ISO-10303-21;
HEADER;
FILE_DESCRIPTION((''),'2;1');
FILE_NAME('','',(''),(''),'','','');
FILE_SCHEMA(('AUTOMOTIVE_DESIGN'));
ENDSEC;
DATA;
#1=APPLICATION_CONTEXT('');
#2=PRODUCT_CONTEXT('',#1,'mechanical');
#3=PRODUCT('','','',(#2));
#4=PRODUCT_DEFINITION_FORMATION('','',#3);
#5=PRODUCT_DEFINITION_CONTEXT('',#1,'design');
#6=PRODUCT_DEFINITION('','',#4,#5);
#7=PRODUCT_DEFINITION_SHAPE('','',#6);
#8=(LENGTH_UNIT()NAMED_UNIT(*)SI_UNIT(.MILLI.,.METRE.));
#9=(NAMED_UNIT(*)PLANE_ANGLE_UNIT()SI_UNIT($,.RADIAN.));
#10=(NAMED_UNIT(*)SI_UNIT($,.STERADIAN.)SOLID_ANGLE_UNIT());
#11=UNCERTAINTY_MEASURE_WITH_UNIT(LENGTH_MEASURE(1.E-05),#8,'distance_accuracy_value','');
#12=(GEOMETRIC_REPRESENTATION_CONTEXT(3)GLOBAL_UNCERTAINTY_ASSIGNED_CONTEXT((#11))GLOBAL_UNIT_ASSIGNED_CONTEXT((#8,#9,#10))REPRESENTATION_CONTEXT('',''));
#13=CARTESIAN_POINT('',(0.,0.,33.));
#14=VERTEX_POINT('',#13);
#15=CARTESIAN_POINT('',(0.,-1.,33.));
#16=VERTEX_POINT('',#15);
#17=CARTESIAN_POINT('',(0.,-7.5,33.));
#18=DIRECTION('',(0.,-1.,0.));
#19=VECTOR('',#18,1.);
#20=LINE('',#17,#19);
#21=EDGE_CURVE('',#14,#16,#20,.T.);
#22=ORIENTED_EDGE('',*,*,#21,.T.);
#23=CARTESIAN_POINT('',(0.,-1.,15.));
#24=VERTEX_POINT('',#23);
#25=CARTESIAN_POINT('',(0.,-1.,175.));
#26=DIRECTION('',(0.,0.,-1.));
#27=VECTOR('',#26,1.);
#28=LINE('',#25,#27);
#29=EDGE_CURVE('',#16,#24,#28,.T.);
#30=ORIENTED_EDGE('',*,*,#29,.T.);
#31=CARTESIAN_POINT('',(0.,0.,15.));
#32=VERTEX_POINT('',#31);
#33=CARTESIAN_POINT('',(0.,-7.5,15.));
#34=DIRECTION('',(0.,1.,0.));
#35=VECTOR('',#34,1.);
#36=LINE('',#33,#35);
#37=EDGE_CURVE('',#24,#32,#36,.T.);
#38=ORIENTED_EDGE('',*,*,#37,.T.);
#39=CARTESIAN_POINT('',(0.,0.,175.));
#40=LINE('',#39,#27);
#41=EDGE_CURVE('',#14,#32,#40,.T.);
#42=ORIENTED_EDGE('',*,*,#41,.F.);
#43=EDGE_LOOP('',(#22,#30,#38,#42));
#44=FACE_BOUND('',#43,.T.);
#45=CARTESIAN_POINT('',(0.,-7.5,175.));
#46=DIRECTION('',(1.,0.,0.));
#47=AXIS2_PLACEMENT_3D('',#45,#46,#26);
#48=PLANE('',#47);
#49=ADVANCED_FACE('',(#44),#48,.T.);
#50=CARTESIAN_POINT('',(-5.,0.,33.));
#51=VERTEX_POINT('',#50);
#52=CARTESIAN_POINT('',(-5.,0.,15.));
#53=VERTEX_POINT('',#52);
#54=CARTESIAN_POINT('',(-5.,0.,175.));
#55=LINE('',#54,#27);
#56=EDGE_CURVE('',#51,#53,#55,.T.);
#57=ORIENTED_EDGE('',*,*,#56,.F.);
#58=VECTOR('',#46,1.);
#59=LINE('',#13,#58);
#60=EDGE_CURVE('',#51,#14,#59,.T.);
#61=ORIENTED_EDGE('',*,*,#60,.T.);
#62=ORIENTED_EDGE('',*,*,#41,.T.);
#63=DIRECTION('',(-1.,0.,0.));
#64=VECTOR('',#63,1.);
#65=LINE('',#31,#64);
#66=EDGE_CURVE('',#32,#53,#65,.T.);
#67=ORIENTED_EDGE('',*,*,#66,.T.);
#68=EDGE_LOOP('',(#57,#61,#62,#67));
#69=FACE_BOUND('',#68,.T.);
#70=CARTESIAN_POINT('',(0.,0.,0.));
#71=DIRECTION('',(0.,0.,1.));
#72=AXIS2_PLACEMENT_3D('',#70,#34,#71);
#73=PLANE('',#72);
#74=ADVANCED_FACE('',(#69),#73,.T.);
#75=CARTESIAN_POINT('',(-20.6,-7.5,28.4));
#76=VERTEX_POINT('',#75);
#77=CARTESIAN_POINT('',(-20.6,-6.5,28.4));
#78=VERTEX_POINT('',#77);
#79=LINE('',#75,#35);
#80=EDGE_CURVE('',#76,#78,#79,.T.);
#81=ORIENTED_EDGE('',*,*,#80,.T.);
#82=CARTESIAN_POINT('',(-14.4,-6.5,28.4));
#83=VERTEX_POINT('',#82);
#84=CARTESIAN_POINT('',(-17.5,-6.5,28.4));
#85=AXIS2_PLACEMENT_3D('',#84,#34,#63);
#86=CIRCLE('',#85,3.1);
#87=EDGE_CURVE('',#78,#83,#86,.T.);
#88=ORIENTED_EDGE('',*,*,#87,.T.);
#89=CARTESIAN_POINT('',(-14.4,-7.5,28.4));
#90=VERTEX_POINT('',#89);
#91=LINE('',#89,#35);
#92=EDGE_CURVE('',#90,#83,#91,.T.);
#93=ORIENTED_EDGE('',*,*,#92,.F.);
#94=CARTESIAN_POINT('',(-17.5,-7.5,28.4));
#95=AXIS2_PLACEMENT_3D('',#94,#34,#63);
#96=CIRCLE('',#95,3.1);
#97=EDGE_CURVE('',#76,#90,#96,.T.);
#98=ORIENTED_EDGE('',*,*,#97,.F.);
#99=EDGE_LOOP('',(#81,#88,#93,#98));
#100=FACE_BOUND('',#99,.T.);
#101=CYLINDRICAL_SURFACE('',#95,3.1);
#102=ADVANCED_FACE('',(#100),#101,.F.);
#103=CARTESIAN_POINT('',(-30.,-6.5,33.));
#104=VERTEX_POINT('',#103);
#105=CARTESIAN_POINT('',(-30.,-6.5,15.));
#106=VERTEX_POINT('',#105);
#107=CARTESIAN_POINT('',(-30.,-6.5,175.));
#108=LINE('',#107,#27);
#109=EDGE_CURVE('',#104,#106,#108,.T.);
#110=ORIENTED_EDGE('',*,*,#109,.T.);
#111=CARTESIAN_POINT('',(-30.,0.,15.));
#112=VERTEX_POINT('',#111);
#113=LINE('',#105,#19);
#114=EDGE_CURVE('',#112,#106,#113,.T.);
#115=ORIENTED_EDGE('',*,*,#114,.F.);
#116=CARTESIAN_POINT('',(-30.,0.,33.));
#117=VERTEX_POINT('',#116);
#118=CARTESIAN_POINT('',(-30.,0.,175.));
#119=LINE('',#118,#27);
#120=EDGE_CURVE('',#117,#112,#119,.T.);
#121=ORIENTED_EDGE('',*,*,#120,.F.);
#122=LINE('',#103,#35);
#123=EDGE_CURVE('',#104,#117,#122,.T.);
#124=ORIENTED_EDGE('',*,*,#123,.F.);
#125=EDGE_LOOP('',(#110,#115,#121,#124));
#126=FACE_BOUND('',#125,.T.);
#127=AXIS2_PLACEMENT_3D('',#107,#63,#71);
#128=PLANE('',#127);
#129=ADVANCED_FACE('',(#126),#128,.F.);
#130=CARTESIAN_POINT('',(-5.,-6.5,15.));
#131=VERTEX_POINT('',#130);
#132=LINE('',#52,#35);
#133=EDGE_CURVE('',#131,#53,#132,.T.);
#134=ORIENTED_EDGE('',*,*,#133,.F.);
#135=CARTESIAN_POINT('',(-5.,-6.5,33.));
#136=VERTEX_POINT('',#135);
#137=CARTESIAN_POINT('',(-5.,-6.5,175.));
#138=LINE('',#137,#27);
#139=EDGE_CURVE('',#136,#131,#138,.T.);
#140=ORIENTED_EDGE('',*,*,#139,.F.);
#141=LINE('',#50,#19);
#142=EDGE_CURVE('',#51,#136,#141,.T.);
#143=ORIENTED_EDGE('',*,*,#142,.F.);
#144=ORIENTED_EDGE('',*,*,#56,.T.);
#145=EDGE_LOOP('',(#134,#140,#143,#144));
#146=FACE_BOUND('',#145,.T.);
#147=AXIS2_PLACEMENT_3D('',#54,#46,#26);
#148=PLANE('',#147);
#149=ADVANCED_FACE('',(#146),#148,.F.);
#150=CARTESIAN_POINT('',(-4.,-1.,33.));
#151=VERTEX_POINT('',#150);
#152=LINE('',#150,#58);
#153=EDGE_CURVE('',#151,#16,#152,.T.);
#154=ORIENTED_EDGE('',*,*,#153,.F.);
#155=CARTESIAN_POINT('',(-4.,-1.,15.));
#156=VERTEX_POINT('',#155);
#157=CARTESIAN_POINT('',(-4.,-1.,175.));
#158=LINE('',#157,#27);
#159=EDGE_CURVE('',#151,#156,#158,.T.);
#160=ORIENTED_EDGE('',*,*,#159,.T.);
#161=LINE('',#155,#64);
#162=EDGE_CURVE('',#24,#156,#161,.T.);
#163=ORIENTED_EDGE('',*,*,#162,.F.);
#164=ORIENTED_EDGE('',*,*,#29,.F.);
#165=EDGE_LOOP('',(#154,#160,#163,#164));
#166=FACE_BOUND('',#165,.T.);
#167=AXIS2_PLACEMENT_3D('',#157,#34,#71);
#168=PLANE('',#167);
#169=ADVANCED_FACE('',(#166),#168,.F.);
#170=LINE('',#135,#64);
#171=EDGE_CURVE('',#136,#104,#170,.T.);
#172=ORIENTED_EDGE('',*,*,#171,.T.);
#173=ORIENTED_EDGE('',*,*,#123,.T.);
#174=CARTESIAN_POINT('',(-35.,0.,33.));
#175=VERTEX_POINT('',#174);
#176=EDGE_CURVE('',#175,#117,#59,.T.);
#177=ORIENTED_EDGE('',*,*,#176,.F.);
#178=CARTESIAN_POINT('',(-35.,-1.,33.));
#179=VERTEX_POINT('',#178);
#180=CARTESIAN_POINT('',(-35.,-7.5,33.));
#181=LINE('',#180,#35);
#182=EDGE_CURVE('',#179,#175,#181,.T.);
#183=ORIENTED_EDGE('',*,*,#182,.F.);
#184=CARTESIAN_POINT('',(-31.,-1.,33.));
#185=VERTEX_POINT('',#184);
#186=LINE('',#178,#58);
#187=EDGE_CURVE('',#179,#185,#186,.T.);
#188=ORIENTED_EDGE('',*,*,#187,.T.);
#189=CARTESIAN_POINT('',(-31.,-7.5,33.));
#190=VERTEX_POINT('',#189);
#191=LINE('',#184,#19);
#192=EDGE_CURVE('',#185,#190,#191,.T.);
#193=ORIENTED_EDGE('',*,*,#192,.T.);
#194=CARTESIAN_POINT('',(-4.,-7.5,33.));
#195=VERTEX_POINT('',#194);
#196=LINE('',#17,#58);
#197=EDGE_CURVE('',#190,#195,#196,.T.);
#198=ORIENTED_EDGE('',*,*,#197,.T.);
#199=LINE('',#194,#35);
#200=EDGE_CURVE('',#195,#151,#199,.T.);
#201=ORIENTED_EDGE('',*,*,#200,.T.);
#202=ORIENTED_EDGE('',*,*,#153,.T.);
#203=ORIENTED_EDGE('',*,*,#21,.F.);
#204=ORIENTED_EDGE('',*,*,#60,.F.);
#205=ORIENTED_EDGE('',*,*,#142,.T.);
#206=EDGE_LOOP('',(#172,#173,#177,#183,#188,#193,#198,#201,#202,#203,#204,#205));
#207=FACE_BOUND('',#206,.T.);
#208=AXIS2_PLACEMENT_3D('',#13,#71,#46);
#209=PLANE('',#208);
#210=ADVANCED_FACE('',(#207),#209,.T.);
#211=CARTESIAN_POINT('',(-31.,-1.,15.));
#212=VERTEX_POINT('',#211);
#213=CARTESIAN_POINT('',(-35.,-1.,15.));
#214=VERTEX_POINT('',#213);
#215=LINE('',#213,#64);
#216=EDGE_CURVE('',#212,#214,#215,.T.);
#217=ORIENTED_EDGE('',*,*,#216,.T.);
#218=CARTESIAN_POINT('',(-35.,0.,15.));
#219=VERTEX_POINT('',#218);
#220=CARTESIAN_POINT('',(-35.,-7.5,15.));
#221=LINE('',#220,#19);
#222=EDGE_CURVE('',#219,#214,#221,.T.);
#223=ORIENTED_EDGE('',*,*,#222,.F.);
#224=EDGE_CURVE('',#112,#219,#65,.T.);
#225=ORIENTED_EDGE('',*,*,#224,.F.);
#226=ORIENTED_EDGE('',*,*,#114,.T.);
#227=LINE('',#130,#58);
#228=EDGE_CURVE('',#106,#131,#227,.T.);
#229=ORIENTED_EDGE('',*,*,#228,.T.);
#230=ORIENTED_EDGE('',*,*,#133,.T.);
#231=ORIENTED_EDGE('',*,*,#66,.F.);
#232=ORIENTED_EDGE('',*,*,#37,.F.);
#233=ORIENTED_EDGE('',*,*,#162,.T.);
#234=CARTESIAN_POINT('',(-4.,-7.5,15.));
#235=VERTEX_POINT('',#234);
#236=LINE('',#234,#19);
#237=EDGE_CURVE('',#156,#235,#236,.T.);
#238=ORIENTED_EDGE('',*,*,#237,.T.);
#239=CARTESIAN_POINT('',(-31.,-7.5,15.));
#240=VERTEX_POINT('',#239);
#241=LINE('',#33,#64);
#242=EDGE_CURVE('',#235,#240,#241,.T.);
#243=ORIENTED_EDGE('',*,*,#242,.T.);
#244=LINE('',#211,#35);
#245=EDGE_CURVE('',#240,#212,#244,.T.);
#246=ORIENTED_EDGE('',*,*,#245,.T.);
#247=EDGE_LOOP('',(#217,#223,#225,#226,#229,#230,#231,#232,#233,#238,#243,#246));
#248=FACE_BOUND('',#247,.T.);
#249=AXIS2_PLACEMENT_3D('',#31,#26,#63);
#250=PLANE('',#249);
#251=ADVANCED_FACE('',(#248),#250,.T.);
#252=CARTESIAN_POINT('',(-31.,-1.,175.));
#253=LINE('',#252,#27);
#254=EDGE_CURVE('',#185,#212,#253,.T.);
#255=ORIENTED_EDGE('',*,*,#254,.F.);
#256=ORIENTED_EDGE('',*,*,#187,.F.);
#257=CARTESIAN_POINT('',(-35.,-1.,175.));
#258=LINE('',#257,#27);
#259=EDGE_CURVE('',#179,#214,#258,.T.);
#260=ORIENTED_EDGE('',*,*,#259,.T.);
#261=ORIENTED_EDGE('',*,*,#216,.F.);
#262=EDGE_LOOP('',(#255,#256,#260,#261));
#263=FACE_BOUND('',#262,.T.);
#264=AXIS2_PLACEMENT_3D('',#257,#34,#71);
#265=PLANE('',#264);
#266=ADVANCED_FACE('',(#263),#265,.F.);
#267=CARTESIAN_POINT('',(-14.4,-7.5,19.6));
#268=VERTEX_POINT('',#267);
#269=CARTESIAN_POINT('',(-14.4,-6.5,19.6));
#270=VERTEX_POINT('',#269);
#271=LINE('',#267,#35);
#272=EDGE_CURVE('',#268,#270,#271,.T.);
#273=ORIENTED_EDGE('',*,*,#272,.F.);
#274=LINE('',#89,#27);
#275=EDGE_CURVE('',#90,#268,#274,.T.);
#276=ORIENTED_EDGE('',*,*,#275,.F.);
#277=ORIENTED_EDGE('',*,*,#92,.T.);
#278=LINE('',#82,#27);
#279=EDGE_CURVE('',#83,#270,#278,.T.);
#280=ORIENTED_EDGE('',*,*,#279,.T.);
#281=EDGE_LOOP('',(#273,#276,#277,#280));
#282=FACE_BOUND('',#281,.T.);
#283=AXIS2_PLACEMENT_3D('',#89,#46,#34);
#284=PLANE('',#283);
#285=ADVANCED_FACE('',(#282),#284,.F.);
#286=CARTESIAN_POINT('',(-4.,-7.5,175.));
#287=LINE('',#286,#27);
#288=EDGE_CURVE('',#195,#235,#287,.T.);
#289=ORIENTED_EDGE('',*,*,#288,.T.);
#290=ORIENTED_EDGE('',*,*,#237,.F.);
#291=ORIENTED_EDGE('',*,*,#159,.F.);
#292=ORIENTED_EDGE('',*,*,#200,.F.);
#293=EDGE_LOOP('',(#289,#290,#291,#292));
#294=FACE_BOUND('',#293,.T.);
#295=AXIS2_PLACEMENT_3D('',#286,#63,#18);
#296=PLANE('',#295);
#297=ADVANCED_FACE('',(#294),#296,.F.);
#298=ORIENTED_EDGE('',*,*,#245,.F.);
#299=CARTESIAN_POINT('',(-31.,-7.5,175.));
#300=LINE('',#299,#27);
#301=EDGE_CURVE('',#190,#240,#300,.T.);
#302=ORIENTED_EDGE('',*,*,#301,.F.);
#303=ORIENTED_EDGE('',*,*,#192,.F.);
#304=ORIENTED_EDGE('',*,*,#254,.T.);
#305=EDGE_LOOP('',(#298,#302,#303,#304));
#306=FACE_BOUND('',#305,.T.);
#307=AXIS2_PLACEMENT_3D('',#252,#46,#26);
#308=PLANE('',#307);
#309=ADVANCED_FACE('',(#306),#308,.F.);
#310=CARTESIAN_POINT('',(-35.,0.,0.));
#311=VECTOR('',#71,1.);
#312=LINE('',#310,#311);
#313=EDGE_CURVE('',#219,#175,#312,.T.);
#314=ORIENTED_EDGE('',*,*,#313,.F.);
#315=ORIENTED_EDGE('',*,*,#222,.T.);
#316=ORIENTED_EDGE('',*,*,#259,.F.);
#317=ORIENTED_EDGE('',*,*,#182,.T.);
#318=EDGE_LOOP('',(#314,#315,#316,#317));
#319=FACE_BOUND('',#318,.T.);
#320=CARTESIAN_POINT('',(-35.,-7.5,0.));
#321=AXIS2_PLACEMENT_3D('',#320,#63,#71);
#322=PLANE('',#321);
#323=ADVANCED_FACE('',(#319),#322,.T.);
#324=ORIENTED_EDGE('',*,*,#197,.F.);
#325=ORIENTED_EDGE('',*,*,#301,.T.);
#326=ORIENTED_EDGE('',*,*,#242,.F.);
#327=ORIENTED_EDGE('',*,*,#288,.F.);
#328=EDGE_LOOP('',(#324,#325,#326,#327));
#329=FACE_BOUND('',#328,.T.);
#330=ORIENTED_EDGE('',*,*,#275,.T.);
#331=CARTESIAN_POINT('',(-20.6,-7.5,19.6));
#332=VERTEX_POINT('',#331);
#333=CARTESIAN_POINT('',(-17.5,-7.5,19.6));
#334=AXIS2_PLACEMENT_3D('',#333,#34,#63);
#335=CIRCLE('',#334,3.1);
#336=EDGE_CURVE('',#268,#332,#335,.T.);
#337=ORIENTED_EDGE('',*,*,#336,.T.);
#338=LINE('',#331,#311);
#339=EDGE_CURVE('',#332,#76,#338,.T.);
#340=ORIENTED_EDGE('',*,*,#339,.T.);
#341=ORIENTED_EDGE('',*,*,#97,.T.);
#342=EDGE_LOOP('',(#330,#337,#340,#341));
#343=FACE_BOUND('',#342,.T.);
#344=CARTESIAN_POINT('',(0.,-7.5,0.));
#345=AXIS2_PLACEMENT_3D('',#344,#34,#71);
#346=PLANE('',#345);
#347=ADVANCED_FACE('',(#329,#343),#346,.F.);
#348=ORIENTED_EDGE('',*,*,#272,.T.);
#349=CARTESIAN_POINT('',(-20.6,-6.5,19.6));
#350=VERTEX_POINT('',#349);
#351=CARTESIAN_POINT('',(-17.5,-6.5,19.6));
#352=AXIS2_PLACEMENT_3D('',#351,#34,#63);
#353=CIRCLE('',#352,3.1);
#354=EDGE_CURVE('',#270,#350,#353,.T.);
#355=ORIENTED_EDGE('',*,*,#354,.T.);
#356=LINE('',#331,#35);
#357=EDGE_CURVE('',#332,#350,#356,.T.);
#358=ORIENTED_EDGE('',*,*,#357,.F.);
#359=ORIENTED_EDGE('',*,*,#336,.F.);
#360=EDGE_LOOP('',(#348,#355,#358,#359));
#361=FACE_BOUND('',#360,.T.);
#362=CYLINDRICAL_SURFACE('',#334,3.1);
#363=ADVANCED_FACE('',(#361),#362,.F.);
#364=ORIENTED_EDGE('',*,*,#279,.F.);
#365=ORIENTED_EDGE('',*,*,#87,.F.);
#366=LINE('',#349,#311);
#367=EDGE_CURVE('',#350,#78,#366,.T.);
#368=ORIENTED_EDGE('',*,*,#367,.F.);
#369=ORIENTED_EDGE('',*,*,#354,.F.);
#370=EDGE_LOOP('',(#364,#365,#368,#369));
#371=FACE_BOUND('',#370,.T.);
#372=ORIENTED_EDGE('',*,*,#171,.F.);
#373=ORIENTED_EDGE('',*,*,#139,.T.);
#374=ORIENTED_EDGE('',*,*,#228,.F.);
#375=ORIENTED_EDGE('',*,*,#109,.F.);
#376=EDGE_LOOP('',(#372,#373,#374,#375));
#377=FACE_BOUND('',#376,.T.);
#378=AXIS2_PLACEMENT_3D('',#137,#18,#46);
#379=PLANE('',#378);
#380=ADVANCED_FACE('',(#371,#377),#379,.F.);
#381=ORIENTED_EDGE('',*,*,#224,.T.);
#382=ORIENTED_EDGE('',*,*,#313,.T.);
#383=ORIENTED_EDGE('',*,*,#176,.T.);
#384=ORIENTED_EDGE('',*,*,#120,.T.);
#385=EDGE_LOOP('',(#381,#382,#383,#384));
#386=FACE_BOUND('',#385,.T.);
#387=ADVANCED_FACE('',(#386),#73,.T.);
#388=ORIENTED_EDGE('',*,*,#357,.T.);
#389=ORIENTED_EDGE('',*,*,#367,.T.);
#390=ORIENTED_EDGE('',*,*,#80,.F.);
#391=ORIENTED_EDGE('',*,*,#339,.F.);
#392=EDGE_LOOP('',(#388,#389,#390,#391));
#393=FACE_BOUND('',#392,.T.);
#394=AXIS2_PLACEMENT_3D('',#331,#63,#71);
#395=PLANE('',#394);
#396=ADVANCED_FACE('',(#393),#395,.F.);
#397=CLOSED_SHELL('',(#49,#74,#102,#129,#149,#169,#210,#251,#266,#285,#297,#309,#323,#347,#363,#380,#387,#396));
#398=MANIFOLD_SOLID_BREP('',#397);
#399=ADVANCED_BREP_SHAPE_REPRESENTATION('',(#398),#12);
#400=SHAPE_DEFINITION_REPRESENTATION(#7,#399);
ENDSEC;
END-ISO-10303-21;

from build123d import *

# Parameters (mm, degrees)
SKETCH1_W           = 35
SKETCH1_H           = 175
BOSS_EXTRUDE1_DEPTH = 7.5
SKETCH2_W           = 25
SKETCH2_H           = 6.5
CUT_EXTRUDE1_DEPTH  = 179.623206779
CUT_EXTRUDE2_DEPTH  = 179.623206779
SKETCH4_W           = 4
SKETCH4_H           = 6.5
CUT_EXTRUDE3_DEPTH  = 179.623206779
SKETCH5_W           = 4
SKETCH5_H           = 6.5
CUT_EXTRUDE4_DEPTH  = 179.623206779
CUT_EXTRUDE5_DEPTH  = 179.623206779
CUT_EXTRUDE6_DEPTH  = 179.584013842
CUT_EXTRUDE7_DEPTH  = 179.584013842
CUT_EXTRUDE8_DEPTH  = 179.584013842
CUT_EXTRUDE9_DEPTH  = 179.584013842
CUT_EXTRUDE10_DEPTH = 179.584013842
CUT_EXTRUDE11_DEPTH = 179.623206779
SKETCH13_W          = 54.072725276
SKETCH13_H          = 30.837150003
CUT_EXTRUDE12_DEPTH = 15
SKETCH14_W          = 49.0024185
SKETCH14_H          = 27.053522809
CUT_EXTRUDE13_DEPTH = 142


with BuildPart() as part:
    # Sketch1 → Boss-Extrude1 (new body)
    with BuildSketch(Plane(origin=(0, 0, 0), x_dir=(1, 0, 0), z_dir=(0, 1, 0))):
        with Locations((-17.5, -87.5)):
            Rectangle(SKETCH1_W, SKETCH1_H)
    extrude(amount=-BOSS_EXTRUDE1_DEPTH)

    # Sketch2 → Cut-Extrude1 (cut, through all)
    with BuildSketch(Plane(origin=(0, 0, 0), x_dir=(-1, 0, 0), z_dir=(0, 0, -1))):
        with Locations((17.5, -3.25)):
            Rectangle(SKETCH2_W, SKETCH2_H)
    extrude(amount=-CUT_EXTRUDE1_DEPTH, mode=Mode.SUBTRACT)

    # Sketch3 → Cut-Extrude2 (cut, through all)
    with BuildSketch(Plane.XZ.offset(7.5)):
        with BuildLine():
            Line((-20.6, 0), (-14.4, 0))
            Line((-14.4, 0), (-14.4, 3.4))
            ThreePointArc((-14.4, 3.4), (-17.5, 6.5), (-20.6, 3.4))
            Line((-20.6, 3.4), (-20.6, 0))
        make_face()
    extrude(amount=-CUT_EXTRUDE2_DEPTH, mode=Mode.SUBTRACT)

    # Sketch4 → Cut-Extrude3 (cut, through all)
    with BuildSketch(Plane(origin=(0, 0, 0), x_dir=(-1, 0, 0), z_dir=(0, 0, -1))):
        with Locations((33, -4.25)):
            Rectangle(SKETCH4_W, SKETCH4_H)
    extrude(amount=-CUT_EXTRUDE3_DEPTH, mode=Mode.SUBTRACT)

    # Sketch5 → Cut-Extrude4 (cut, through all)
    with BuildSketch(Plane(origin=(0, 0, 0), x_dir=(-1, 0, 0), z_dir=(0, 0, -1))):
        with Locations((2, -4.25)):
            Rectangle(SKETCH5_W, SKETCH5_H)
    extrude(amount=-CUT_EXTRUDE4_DEPTH, mode=Mode.SUBTRACT)

    # Sketch6 → Cut-Extrude5 (cut, through all)
    with BuildSketch(Plane.XZ.offset(7.5)):
        with BuildLine():
            Line((-14.4, 175), (-20.6, 175))
            Line((-20.6, 175), (-20.6, 169.6))
            ThreePointArc((-20.6, 169.6), (-17.5, 166.5), (-14.4, 169.6))
            Line((-14.4, 169.6), (-14.4, 175))
        make_face()
    extrude(amount=-CUT_EXTRUDE5_DEPTH, mode=Mode.SUBTRACT)

    # Sketch7 → Cut-Extrude6 (cut, through all)
    with BuildSketch(Plane(origin=(0, -6.5, 0), x_dir=(-1, 0, 0), z_dir=(0, 1, 0))):
        with BuildLine():
            Line((14.4, 103.4), (14.4, 94.6))
            ThreePointArc((14.4, 94.6), (17.5, 91.5), (20.6, 94.6))
            Line((20.6, 94.6), (20.6, 103.4))
            ThreePointArc((20.6, 103.4), (17.5, 106.5), (14.4, 103.4))
        make_face()
    extrude(amount=-CUT_EXTRUDE6_DEPTH, mode=Mode.SUBTRACT)

    # Sketch8 → Cut-Extrude7 (cut, through all)
    with BuildSketch(Plane(origin=(0, -6.5, 0), x_dir=(-1, 0, 0), z_dir=(0, 1, 0))):
        with BuildLine():
            Line((14.4, 78.4), (14.4, 69.6))
            ThreePointArc((14.4, 69.6), (17.5, 66.5), (20.6, 69.6))
            Line((20.6, 69.6), (20.6, 78.4))
            ThreePointArc((20.6, 78.4), (17.5, 81.5), (14.4, 78.4))
        make_face()
    extrude(amount=-CUT_EXTRUDE7_DEPTH, mode=Mode.SUBTRACT)

    # Sketch9 → Cut-Extrude8 (cut, through all)
    with BuildSketch(Plane(origin=(0, -6.5, 0), x_dir=(-1, 0, 0), z_dir=(0, 1, 0))):
        with BuildLine():
            Line((14.4, 28.4), (14.4, 19.6))
            ThreePointArc((14.4, 19.6), (17.5, 16.5), (20.6, 19.6))
            Line((20.6, 19.6), (20.6, 28.4))
            ThreePointArc((20.6, 28.4), (17.5, 31.5), (14.4, 28.4))
        make_face()
    extrude(amount=-CUT_EXTRUDE8_DEPTH, mode=Mode.SUBTRACT)

    # Sketch10 → Cut-Extrude9 (cut, through all)
    with BuildSketch(Plane(origin=(0, -6.5, 0), x_dir=(-1, 0, 0), z_dir=(0, 1, 0))):
        with BuildLine():
            Line((14.4, 153.4), (14.4, 144.6))
            ThreePointArc((14.4, 144.6), (17.5, 141.5), (20.6, 144.6))
            Line((20.6, 144.6), (20.6, 153.4))
            ThreePointArc((20.6, 153.4), (17.5, 156.5), (14.4, 153.4))
        make_face()
    extrude(amount=-CUT_EXTRUDE9_DEPTH, mode=Mode.SUBTRACT)

    # Sketch11 → Cut-Extrude10 (cut, through all)
    with BuildSketch(Plane(origin=(0, -6.5, 0), x_dir=(-1, 0, 0), z_dir=(0, 1, 0))):
        with BuildLine():
            Line((14.4, 128.4), (14.4, 119.6))
            ThreePointArc((14.4, 119.6), (17.5, 116.5), (20.6, 119.6))
            Line((20.6, 119.6), (20.6, 128.4))
            ThreePointArc((20.6, 128.4), (17.5, 131.5), (14.4, 128.4))
        make_face()
    extrude(amount=-CUT_EXTRUDE10_DEPTH, mode=Mode.SUBTRACT)

    # Sketch12 → Cut-Extrude11 (cut, through all)
    with BuildSketch(Plane.XZ.offset(7.5)):
        with BuildLine():
            Line((-20.6, 53.4), (-20.6, 44.6))
            ThreePointArc((-20.6, 44.6), (-17.5, 41.5), (-14.4, 44.6))
            Line((-14.4, 44.6), (-14.4, 53.4))
            ThreePointArc((-14.4, 53.4), (-17.5, 56.5), (-20.6, 53.4))
        make_face()
    extrude(amount=-CUT_EXTRUDE11_DEPTH, mode=Mode.SUBTRACT)

    # Sketch13 → Cut-Extrude12 (cut)
    with BuildSketch(Plane(origin=(0, 0, 0), x_dir=(-1, 0, 0), z_dir=(0, 0, -1))):
        with Locations((12.505255608, -4.443731482)):
            Rectangle(SKETCH13_W, SKETCH13_H)
    extrude(amount=-CUT_EXTRUDE12_DEPTH, mode=Mode.SUBTRACT)

    # Sketch14 → Cut-Extrude13 (cut)
    with BuildSketch(Plane.XY.offset(175)):
        with Locations((-15.887003793, 1.102839907)):
            Rectangle(SKETCH14_W, SKETCH14_H)
    extrude(amount=-CUT_EXTRUDE13_DEPTH, mode=Mode.SUBTRACT)


solid = part.part
